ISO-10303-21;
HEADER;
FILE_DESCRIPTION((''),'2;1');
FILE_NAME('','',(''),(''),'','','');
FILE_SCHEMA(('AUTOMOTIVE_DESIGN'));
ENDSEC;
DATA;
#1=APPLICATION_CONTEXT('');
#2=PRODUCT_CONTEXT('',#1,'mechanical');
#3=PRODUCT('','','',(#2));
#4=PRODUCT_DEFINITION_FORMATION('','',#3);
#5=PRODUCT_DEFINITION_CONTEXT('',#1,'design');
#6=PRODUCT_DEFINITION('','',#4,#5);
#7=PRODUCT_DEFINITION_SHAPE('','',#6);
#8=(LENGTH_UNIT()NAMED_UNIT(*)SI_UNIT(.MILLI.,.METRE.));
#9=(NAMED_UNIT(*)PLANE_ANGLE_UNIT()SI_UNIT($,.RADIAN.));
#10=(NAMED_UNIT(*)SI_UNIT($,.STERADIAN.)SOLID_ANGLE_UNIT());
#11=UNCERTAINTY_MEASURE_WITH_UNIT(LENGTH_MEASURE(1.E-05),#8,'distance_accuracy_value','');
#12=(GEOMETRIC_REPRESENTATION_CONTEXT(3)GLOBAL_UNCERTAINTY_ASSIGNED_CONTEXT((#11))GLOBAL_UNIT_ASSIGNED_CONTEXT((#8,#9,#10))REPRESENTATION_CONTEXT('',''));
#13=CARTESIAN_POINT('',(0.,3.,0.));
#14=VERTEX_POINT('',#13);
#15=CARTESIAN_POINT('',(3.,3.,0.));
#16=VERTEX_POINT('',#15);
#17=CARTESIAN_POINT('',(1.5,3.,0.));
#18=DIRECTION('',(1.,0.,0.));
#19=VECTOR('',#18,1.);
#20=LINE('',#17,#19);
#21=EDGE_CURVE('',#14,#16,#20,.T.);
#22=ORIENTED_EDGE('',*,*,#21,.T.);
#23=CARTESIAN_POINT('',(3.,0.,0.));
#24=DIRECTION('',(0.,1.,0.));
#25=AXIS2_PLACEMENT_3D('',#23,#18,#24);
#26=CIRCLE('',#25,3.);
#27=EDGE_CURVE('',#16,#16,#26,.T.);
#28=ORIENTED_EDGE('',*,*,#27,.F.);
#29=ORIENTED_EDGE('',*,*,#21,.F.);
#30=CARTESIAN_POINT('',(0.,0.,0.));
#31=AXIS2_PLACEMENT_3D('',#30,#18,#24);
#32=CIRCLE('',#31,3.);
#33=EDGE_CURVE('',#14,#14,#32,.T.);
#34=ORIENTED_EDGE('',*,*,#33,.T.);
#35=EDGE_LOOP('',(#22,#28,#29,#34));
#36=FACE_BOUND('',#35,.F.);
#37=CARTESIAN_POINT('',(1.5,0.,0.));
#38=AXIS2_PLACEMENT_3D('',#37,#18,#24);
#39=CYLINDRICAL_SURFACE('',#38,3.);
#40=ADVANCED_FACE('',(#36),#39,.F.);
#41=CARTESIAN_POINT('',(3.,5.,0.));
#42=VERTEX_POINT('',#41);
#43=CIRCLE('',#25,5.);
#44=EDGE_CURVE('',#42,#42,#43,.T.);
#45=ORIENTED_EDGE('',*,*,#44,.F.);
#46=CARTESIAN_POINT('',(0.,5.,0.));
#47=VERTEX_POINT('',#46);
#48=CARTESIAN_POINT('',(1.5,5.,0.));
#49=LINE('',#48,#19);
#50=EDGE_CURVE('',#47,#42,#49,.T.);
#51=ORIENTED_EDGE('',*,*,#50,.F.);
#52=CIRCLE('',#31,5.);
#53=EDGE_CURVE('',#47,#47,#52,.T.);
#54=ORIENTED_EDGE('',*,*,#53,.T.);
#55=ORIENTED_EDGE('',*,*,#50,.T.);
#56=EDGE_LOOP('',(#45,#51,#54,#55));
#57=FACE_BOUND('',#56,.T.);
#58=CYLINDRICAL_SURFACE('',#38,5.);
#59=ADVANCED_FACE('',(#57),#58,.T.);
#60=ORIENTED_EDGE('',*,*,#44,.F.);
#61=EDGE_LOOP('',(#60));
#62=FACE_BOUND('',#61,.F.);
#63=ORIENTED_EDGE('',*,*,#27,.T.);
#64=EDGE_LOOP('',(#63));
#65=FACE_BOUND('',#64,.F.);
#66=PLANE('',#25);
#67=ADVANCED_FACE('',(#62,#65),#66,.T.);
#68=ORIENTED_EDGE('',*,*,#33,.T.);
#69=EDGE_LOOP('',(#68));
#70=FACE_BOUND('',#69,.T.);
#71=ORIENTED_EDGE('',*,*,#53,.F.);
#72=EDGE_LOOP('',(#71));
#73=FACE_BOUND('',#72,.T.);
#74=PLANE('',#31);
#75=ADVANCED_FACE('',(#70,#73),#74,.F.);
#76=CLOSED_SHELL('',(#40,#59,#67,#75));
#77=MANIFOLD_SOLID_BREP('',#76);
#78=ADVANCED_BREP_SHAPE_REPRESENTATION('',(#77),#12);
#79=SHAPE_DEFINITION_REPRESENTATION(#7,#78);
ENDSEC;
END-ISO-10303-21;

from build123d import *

# Parameters (mm, degrees)
SKETCH1_W = 3
SKETCH1_H = 2


with BuildPart() as part:
    # Sketch1 → Revolve1 (revolve)
    with BuildSketch(Plane.XY):
        with Locations((1.5, 4)):
            Rectangle(SKETCH1_W, SKETCH1_H)
    revolve(axis=Axis((0, 0, 0), (1, 0, 0)))


solid = part.part
